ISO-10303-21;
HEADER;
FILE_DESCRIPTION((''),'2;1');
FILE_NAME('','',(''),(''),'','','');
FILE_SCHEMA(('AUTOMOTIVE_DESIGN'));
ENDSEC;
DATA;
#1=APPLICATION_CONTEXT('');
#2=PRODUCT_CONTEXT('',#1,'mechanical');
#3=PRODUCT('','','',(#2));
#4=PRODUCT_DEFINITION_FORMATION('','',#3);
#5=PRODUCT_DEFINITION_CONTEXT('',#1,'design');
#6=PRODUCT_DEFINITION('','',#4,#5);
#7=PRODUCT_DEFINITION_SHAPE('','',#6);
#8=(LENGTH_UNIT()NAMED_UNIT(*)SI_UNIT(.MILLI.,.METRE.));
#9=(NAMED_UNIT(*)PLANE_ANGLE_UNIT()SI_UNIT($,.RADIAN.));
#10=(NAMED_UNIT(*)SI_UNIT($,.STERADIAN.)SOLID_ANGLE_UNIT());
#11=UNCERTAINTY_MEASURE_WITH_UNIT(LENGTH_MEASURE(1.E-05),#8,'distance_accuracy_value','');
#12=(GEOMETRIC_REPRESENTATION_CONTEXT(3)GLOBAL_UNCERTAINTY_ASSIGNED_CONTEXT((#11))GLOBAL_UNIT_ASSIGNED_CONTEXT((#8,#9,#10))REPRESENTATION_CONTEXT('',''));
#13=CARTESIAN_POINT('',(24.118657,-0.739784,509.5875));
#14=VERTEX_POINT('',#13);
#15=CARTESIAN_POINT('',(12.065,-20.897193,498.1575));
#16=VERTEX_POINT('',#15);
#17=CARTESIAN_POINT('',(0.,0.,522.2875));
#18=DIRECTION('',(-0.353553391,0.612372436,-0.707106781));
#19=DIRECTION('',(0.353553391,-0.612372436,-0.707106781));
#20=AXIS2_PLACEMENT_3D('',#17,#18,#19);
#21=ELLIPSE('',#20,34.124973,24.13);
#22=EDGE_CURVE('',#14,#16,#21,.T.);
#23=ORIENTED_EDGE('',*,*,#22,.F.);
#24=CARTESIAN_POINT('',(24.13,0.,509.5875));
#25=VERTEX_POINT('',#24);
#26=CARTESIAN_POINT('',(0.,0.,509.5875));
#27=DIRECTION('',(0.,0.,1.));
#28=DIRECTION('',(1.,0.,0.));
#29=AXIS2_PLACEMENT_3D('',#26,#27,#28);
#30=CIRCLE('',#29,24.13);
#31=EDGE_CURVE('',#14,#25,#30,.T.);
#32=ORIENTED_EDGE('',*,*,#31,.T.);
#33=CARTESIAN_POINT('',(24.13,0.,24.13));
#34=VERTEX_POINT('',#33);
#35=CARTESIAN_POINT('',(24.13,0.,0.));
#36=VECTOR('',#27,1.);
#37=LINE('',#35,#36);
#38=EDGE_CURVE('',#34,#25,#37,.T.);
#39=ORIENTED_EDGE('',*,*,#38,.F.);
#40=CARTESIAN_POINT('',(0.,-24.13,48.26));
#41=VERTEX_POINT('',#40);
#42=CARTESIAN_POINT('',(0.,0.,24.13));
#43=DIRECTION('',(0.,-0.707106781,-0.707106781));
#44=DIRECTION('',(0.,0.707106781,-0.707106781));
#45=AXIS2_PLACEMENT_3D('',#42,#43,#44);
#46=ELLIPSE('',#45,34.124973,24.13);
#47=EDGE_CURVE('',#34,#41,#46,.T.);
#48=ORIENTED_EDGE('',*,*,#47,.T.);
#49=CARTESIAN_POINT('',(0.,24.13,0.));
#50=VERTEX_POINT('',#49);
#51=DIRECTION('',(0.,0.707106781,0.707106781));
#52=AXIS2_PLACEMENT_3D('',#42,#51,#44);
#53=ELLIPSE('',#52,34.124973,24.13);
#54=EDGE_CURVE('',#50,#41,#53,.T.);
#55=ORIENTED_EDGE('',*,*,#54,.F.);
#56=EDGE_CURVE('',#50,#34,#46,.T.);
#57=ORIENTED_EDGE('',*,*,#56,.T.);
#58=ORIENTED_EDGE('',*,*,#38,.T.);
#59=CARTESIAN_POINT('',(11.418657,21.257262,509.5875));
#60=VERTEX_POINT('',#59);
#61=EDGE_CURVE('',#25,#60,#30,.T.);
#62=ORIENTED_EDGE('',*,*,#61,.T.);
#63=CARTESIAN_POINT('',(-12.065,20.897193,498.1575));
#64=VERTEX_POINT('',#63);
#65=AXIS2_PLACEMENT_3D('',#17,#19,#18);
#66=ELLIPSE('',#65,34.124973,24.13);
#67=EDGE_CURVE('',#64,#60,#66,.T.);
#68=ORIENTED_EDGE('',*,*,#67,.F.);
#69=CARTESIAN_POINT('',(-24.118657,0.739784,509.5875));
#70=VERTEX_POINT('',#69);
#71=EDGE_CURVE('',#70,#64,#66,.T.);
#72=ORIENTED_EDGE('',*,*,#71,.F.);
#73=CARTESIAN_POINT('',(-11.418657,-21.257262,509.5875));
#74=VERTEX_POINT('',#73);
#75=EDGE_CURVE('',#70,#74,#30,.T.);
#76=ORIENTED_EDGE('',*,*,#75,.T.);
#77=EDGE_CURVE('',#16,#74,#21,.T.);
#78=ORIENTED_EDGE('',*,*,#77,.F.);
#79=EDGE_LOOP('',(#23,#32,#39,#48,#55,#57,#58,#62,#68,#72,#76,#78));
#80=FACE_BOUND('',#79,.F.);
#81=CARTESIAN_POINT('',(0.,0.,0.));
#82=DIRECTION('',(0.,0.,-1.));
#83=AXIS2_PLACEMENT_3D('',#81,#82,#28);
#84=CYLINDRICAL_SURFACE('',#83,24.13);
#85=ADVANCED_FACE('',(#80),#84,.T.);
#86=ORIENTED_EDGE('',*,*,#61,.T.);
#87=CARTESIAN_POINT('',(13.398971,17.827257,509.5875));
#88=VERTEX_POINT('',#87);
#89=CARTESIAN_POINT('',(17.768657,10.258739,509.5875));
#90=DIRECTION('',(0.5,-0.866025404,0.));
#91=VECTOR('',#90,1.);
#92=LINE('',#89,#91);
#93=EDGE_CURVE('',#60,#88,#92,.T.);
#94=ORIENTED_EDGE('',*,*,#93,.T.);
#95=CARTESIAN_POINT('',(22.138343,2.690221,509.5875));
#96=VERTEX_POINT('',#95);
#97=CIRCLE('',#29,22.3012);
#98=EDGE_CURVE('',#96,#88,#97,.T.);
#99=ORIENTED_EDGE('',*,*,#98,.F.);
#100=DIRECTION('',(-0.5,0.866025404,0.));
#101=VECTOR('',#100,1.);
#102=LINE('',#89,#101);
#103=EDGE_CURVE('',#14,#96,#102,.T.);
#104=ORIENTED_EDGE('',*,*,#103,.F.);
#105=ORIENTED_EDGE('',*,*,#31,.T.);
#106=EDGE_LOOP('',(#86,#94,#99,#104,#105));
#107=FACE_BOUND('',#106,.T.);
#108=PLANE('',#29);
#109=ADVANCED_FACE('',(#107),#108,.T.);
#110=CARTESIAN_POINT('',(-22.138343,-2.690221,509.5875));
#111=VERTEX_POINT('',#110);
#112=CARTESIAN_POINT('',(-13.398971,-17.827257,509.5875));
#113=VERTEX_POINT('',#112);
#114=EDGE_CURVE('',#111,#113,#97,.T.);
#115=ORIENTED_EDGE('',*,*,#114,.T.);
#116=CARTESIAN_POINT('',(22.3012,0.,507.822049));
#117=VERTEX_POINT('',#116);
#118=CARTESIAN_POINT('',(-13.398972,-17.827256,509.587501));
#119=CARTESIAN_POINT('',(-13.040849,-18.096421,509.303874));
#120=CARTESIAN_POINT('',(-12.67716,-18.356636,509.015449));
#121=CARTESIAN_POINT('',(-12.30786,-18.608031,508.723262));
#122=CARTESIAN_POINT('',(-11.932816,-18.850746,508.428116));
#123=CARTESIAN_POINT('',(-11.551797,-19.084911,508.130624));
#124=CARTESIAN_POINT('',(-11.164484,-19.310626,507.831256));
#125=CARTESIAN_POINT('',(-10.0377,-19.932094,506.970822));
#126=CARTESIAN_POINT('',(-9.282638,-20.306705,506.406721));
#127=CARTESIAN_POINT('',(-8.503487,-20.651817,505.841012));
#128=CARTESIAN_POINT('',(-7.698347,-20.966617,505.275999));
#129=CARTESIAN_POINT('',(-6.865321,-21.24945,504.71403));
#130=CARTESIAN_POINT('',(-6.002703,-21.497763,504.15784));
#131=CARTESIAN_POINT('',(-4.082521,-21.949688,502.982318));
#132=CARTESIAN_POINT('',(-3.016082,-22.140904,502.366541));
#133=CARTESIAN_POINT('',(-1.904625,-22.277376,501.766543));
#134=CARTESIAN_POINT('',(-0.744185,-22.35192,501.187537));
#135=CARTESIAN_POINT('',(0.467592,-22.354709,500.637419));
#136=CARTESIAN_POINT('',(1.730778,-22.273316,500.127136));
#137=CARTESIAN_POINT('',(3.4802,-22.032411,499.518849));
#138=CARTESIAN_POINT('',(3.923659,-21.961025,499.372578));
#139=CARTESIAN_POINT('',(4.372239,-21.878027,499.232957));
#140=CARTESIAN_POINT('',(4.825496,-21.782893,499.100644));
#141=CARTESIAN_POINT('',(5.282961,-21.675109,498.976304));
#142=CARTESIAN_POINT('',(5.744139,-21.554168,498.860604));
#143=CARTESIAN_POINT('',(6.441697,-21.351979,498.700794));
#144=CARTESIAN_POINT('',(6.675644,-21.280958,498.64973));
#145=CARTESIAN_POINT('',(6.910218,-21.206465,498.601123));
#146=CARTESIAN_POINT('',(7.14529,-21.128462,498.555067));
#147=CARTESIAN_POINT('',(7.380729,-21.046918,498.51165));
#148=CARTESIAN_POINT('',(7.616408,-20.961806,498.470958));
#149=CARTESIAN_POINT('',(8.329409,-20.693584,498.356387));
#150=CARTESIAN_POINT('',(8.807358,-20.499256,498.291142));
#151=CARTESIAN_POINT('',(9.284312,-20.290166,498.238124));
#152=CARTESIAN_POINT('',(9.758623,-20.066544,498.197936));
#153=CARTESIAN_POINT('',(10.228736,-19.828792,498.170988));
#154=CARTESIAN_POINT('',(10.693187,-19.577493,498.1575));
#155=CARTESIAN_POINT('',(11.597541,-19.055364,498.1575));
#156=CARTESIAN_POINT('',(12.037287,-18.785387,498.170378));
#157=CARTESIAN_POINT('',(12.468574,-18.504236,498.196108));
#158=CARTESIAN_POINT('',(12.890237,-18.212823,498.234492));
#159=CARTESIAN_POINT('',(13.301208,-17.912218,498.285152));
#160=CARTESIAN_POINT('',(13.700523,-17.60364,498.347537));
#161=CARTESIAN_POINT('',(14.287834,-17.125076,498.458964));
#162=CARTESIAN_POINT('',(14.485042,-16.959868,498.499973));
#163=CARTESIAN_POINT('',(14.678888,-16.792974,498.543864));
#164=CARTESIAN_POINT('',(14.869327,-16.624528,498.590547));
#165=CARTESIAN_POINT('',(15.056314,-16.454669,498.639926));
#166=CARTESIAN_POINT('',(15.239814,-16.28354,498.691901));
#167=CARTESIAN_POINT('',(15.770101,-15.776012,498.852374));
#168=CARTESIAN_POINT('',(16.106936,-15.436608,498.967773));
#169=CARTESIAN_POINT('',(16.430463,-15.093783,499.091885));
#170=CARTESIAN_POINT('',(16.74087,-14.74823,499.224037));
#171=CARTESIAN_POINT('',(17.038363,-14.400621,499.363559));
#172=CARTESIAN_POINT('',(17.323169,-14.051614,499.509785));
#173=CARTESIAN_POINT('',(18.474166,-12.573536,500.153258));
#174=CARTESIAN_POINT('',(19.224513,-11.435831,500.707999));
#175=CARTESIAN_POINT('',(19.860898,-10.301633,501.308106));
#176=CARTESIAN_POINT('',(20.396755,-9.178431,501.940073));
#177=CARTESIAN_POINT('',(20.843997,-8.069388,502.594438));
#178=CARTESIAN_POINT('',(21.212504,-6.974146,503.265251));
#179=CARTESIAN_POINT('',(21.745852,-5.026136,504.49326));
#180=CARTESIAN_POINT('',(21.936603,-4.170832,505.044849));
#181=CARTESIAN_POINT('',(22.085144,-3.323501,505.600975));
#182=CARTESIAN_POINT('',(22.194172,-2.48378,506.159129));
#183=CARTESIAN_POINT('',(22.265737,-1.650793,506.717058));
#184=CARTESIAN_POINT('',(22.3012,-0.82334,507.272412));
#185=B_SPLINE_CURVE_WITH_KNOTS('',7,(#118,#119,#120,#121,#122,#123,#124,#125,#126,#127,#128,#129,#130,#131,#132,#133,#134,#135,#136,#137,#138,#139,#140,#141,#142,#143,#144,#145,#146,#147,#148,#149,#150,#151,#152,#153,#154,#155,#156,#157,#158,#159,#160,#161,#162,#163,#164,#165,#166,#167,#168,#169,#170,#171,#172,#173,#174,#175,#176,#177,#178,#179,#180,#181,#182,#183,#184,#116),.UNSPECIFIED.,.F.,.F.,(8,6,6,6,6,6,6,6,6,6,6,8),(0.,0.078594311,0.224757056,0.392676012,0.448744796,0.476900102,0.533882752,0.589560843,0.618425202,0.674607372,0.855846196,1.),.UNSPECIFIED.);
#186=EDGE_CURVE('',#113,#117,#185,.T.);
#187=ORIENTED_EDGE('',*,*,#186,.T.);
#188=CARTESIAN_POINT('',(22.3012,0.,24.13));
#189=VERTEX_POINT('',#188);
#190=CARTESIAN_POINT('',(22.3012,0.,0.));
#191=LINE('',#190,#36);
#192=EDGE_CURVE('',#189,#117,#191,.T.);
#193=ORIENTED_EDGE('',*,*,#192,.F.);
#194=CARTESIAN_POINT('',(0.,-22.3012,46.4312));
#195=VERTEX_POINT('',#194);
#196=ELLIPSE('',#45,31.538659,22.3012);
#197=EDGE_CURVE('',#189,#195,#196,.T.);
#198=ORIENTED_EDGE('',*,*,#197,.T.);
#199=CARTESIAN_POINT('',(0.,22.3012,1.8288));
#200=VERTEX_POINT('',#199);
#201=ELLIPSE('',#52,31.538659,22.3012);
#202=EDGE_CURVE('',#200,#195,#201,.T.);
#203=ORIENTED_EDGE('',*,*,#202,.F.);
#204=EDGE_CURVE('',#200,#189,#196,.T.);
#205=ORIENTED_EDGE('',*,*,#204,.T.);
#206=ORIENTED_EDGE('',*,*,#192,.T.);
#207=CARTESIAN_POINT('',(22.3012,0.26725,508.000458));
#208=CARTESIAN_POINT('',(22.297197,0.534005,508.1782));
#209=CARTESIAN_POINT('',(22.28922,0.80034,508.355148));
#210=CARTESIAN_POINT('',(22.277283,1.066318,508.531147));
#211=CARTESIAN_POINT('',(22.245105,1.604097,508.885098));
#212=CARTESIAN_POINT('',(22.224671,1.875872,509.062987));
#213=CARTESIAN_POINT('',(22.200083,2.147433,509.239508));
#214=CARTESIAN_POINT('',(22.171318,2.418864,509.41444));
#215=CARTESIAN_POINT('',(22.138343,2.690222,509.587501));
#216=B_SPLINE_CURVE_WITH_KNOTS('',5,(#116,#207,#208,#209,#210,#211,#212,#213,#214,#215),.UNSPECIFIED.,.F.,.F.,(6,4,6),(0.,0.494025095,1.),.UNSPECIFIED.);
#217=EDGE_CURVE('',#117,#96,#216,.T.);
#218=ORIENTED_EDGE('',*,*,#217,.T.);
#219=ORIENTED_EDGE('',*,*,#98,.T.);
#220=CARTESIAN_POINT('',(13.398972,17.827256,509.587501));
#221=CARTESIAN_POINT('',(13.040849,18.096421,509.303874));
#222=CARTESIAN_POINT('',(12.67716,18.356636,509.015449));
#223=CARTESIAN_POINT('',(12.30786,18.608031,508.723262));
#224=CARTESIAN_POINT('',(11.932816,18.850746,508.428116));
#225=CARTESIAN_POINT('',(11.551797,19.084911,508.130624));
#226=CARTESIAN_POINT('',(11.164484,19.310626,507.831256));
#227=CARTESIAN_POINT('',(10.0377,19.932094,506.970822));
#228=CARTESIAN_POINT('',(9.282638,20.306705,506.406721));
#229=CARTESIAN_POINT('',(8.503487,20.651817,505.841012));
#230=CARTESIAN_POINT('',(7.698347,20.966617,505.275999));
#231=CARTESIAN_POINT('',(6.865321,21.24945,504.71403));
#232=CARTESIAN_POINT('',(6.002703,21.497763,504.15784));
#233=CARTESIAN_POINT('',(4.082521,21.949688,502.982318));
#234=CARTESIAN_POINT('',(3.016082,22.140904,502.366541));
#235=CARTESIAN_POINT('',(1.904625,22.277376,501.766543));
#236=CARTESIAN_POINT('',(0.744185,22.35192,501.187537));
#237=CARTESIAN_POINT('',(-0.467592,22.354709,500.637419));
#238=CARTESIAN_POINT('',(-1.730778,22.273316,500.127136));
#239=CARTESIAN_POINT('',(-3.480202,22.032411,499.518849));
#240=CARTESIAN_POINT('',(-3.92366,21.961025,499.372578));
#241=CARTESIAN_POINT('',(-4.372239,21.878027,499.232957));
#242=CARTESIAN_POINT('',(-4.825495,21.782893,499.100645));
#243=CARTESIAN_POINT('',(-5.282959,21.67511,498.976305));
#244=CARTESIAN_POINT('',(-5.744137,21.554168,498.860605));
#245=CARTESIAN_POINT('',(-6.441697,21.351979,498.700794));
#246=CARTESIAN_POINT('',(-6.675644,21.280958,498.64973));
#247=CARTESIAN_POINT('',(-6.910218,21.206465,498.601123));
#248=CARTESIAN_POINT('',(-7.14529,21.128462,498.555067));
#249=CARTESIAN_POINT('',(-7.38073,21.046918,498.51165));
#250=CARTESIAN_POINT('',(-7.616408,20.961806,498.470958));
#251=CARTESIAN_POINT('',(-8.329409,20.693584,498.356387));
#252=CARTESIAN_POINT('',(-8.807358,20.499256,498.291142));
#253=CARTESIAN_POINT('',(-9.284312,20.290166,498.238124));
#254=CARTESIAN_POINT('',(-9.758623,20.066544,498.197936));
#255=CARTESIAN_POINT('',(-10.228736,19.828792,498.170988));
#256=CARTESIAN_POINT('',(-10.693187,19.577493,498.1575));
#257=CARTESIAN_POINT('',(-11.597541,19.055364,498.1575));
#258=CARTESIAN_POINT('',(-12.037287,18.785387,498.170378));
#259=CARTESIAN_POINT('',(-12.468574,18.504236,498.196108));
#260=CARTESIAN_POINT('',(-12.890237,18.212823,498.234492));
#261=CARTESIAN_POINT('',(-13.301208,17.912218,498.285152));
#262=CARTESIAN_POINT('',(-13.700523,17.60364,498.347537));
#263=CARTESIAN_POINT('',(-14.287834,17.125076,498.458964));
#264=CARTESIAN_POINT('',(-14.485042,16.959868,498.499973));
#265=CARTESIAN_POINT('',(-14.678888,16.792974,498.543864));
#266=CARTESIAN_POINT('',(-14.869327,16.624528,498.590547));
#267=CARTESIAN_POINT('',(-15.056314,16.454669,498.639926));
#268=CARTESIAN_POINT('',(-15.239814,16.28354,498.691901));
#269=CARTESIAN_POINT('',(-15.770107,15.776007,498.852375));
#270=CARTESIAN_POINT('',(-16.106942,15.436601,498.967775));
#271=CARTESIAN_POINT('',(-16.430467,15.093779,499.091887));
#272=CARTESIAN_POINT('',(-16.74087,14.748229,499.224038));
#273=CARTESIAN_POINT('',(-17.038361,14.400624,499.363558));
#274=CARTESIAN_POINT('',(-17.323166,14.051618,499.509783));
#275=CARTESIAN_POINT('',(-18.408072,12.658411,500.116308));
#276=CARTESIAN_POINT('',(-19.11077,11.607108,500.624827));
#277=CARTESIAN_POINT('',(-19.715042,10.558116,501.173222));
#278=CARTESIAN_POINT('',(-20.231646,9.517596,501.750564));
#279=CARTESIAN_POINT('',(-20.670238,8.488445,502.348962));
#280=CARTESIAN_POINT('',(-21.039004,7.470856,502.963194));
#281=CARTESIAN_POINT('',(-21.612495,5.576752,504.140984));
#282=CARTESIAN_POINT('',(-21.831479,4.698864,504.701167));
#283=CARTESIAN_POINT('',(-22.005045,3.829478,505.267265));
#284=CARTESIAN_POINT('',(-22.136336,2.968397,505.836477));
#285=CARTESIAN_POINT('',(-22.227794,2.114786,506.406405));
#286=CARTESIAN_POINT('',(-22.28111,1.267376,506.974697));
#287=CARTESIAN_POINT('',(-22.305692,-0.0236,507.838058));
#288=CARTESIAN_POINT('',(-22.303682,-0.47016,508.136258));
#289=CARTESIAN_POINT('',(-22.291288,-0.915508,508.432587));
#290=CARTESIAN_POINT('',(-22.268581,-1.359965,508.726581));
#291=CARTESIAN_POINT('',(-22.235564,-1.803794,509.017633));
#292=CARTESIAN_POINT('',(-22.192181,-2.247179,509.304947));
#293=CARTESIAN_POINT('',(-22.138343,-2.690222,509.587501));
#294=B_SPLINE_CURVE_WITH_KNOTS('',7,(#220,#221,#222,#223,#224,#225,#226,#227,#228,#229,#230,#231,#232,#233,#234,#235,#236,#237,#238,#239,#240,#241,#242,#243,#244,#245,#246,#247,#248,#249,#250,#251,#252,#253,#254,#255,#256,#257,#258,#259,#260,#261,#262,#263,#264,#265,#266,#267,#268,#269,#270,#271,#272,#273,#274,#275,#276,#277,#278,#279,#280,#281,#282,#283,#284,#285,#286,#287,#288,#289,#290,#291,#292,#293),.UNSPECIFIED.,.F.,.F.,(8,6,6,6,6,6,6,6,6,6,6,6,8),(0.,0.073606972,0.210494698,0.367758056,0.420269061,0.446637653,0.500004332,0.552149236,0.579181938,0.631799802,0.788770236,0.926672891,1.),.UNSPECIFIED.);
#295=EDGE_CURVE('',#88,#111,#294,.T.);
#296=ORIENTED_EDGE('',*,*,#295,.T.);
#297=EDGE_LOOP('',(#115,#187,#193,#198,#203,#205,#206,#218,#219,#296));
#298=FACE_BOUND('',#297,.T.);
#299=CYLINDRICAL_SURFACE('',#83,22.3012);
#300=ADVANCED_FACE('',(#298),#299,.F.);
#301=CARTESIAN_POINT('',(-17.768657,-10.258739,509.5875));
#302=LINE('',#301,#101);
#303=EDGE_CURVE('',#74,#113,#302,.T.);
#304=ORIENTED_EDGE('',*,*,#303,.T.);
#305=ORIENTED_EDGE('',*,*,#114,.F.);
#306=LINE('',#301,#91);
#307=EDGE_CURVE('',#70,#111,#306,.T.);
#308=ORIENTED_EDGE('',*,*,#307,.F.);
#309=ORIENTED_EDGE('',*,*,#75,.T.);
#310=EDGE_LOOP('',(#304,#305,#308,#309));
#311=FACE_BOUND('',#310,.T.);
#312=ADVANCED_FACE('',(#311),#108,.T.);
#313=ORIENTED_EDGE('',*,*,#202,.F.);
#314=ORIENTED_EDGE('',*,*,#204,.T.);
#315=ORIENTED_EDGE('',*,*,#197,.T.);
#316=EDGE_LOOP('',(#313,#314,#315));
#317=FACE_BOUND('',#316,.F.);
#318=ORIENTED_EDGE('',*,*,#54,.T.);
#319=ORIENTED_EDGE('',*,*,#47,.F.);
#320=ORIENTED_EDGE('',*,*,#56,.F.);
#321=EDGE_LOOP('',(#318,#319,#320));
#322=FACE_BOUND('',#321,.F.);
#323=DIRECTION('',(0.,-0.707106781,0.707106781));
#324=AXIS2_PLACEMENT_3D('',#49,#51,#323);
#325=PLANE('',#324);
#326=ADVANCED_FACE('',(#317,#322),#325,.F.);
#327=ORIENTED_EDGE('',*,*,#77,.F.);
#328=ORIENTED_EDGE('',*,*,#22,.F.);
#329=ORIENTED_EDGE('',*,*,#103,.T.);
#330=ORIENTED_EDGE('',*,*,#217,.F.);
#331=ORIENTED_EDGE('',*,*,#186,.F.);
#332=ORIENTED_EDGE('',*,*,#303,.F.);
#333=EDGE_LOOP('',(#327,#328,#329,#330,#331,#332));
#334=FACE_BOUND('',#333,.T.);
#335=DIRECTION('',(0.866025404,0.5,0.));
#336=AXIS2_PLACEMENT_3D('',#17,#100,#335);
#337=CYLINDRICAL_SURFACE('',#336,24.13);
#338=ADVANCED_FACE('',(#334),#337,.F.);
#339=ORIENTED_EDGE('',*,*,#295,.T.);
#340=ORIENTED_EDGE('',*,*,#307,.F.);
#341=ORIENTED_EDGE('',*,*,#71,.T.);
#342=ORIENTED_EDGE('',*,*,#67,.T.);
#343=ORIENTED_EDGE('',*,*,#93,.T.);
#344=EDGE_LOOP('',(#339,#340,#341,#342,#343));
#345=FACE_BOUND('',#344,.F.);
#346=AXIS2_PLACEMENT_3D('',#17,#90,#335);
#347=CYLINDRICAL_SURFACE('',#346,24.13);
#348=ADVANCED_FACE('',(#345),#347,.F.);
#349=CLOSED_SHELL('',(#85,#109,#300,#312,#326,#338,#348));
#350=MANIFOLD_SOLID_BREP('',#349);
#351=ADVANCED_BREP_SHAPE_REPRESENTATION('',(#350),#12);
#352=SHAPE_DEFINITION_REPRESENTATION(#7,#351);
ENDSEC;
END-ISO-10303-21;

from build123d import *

# Parameters (mm, degrees)
F0_R          = 24.13
F0_R_2        = 22.3012
F1_DEPTH      = 509.5875
F3_DEPTH      = 24.131
F3_DEPTH_BACK = 24.131
F6_R          = 24.13
F7_DEPTH      = 50.8
F7_DEPTH_BACK = 50.8


with BuildPart() as f1:
    # F0 (on Top) → F1 (new body)
    with BuildSketch(Plane.XY):
        Circle(F0_R)
        Circle(F0_R_2, mode=Mode.SUBTRACT)
    extrude(amount=F1_DEPTH)

    # F2 (on Right) → F3 (cut, two sides)
    with BuildSketch(Plane.YZ) as f3_sk:
        Polygon((-24.13, 48.26), (-24.13, 0), (24.13, 0), align=None)
    extrude(amount=-F3_DEPTH, mode=Mode.SUBTRACT)
    extrude(f3_sk.sketch, amount=F3_DEPTH_BACK, mode=Mode.SUBTRACT)

    # F6 (on line) → F7 (cut, two sides)
    with BuildSketch(Plane(origin=(0, 0, 0), x_dir=(0.8660254038, 0.5, 0), z_dir=(0.5, -0.8660254038, 0))) as f7_sk:
        with Locations((0, 522.2875)):
            Circle(F6_R)
    extrude(amount=-F7_DEPTH, mode=Mode.SUBTRACT)
    extrude(f7_sk.sketch, amount=F7_DEPTH_BACK, mode=Mode.SUBTRACT)


solid = f1.part
